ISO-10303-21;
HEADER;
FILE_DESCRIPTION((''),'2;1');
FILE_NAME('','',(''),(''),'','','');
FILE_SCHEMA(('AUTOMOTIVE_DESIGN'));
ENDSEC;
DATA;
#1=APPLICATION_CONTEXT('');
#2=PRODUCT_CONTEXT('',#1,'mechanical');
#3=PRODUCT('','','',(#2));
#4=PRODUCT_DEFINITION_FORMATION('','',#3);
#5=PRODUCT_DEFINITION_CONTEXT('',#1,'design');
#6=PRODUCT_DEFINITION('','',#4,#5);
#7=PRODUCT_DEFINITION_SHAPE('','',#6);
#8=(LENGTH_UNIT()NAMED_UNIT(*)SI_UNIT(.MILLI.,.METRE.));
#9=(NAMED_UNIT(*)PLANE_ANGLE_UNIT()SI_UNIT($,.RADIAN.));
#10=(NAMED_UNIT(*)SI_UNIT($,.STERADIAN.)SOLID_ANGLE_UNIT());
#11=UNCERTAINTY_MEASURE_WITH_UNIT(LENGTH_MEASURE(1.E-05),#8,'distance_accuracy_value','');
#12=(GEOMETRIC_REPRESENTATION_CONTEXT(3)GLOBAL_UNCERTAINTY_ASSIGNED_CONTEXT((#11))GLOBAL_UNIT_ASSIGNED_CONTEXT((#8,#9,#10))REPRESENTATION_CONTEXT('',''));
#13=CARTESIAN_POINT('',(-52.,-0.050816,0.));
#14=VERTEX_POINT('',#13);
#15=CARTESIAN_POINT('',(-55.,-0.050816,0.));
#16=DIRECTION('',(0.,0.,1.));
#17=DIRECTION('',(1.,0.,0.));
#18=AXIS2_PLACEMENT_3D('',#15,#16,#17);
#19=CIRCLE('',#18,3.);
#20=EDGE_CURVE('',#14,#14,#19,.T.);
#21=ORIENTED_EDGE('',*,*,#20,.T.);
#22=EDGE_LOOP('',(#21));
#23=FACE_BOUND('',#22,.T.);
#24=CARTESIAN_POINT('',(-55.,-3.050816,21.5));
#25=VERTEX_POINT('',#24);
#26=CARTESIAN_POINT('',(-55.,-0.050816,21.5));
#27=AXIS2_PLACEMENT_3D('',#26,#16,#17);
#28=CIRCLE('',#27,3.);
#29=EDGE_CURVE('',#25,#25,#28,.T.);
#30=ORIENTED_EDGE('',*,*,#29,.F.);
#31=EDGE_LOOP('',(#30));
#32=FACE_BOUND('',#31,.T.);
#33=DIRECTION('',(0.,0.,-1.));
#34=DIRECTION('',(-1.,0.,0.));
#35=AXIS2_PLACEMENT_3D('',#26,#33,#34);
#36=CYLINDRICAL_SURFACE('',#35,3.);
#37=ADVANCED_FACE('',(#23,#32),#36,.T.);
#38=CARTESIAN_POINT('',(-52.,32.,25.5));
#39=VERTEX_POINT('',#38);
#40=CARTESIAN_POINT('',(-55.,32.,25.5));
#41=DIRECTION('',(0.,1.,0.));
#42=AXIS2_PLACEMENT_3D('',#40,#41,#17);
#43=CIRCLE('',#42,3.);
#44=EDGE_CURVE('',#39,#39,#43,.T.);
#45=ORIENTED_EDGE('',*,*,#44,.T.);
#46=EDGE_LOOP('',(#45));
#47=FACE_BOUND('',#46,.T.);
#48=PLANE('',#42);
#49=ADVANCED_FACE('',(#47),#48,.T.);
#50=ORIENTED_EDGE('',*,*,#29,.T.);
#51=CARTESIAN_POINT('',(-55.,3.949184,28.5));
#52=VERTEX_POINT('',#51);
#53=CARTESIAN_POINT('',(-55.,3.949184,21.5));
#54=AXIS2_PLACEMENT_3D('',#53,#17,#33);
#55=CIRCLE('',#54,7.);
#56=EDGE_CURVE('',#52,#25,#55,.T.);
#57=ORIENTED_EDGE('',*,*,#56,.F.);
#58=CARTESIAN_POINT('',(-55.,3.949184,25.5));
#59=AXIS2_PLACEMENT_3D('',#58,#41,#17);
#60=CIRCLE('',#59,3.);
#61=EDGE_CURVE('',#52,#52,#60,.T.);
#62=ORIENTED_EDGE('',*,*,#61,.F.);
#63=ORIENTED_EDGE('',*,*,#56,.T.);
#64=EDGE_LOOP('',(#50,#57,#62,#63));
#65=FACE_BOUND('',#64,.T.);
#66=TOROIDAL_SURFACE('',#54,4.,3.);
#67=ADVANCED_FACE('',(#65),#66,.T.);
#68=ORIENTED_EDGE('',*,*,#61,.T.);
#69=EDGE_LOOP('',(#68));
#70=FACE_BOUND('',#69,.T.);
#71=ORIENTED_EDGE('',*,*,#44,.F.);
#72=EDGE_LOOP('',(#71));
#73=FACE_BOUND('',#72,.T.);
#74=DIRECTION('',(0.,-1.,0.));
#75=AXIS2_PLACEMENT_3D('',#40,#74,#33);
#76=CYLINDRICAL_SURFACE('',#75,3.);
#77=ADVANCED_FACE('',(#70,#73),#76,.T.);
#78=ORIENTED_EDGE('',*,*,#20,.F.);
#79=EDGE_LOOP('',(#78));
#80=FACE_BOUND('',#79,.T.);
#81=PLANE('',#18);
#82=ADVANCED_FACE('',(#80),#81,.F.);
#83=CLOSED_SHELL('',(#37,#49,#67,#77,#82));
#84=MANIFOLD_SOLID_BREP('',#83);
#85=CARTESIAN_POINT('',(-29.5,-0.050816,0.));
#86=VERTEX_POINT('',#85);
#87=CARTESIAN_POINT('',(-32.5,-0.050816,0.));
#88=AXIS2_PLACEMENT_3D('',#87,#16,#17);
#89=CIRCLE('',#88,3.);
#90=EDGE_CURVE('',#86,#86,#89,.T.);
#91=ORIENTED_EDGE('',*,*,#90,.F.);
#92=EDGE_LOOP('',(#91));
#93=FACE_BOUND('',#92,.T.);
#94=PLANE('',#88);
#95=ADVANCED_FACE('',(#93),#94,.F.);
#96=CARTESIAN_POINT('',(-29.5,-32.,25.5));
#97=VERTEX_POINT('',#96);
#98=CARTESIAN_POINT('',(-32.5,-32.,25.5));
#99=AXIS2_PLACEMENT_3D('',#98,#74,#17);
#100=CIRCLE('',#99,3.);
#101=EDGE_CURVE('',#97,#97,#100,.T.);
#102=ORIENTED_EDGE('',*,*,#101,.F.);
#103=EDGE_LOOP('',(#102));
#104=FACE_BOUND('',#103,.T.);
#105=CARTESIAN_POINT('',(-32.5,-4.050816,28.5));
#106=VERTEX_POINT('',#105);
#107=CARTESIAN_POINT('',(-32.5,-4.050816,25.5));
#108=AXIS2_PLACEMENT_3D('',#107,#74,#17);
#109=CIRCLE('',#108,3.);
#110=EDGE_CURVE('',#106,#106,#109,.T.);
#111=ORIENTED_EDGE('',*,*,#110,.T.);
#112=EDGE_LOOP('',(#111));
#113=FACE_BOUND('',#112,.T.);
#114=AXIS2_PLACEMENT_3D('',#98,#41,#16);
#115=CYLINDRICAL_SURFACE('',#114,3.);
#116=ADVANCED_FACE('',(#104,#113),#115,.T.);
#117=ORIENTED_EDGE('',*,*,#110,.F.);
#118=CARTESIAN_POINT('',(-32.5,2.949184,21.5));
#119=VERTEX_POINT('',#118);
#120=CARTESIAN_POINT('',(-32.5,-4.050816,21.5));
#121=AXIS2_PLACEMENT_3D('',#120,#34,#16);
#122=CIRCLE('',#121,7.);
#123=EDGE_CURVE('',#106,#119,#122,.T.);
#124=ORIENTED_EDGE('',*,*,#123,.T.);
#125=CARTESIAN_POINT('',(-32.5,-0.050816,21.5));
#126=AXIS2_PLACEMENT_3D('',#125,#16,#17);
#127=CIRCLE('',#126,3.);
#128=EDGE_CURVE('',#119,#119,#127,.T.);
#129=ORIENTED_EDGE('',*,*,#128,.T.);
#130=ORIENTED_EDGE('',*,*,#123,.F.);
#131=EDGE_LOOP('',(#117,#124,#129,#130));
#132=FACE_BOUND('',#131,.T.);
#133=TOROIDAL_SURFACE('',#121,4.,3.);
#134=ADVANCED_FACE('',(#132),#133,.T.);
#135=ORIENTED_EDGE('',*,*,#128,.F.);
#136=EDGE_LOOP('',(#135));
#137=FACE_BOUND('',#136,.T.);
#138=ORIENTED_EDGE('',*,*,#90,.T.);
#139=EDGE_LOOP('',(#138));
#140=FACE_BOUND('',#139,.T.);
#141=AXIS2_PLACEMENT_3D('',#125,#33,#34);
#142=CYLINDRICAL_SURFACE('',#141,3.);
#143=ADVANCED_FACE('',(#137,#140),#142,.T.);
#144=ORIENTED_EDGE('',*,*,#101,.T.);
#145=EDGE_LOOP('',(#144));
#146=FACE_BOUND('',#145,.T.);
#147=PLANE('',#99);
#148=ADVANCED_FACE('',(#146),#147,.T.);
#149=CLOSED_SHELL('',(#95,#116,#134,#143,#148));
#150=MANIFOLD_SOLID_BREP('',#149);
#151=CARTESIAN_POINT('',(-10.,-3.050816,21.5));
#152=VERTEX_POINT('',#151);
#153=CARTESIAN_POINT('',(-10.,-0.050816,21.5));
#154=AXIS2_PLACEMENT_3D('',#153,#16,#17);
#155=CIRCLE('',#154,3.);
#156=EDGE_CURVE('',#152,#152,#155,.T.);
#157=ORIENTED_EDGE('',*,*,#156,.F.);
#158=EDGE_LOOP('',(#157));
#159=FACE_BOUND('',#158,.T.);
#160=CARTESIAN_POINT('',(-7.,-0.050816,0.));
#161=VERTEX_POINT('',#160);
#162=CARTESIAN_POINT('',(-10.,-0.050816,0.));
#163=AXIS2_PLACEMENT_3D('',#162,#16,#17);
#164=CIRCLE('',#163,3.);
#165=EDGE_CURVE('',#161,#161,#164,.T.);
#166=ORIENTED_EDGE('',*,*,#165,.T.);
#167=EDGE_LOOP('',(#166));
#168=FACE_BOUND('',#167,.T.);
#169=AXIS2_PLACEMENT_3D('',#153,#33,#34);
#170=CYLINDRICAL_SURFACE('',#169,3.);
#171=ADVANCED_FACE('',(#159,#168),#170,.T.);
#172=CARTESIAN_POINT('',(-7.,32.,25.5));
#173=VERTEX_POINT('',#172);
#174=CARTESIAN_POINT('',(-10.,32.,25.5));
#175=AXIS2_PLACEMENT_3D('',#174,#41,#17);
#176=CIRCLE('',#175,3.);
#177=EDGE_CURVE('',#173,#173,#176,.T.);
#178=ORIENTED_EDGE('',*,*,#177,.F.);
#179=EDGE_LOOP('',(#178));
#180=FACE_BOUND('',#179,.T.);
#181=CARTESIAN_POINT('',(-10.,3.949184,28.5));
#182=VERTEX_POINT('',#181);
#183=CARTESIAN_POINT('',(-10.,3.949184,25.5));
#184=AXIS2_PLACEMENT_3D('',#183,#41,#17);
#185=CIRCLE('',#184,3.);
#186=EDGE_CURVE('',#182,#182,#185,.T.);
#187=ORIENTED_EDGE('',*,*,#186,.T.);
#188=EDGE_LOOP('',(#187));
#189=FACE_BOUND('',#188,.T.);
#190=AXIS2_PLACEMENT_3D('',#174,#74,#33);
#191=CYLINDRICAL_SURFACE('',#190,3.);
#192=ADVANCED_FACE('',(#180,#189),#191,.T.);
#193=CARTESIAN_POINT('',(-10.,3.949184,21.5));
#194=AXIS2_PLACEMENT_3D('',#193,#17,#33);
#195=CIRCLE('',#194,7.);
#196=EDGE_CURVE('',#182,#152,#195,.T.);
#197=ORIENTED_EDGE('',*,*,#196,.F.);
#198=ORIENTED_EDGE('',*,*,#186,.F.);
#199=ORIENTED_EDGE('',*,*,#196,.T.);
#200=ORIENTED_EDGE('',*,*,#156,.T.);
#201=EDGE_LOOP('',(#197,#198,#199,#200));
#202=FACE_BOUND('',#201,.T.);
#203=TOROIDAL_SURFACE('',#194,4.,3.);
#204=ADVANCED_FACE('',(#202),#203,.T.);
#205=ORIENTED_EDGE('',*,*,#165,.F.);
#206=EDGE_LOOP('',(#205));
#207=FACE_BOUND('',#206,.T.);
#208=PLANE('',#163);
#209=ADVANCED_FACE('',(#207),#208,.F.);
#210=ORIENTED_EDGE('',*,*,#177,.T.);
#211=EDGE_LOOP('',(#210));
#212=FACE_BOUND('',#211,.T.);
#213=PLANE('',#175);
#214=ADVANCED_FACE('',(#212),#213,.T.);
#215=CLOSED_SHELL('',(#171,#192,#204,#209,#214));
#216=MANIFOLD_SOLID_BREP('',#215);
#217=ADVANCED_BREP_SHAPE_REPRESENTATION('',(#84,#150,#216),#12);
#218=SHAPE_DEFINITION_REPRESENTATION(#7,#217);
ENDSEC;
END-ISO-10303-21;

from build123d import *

# Parameters (mm, degrees)
SCHIZZO3_R = 3
SCHIZZO5_R = 3


with BuildPart() as part:
    # Sweep1: sweep along a path in Schizzo2
    with BuildLine(Plane(origin=(-55, -0.050815836, 0), x_dir=(0, 0, 1), z_dir=(-1, 0, 0))) as sweep1_path:
        Line((0, 0), (21.5, 0))
        ThreePointArc((21.5, 0), (24.328427125, 1.171572875), (25.5, 4))
        Line((25.5, 4), (25.5, 32.050815836))
    # Schizzo3 → Sweep1 (sweep)
    with BuildSketch(Plane.XY):
        with Locations((-55, -0.050815836)):
            Circle(SCHIZZO3_R)
        with Locations((-10, -0.050815836)):
            Circle(SCHIZZO3_R)
    sweep(path=sweep1_path.line)


with BuildPart() as body_2:
    # Sweep2: sweep along a path in Schizzo4
    with BuildLine(Plane(origin=(-32.5, -0.050815836, 0), x_dir=(0, 0, 1), z_dir=(-1, 0, 0))) as sweep2_path:
        Line((0, 0), (21.5, 0))
        ThreePointArc((21.5, 0), (24.328427125, -1.171572875), (25.5, -4))
        Line((25.5, -4), (25.5, -31.949184164))
    # Schizzo5 → Sweep2 (sweep)
    with BuildSketch(Plane.XY):
        with Locations((-32.5, -0.050815836)):
            Circle(SCHIZZO5_R)
    sweep(path=sweep2_path.line)


solid = Compound([part.part, body_2.part])
